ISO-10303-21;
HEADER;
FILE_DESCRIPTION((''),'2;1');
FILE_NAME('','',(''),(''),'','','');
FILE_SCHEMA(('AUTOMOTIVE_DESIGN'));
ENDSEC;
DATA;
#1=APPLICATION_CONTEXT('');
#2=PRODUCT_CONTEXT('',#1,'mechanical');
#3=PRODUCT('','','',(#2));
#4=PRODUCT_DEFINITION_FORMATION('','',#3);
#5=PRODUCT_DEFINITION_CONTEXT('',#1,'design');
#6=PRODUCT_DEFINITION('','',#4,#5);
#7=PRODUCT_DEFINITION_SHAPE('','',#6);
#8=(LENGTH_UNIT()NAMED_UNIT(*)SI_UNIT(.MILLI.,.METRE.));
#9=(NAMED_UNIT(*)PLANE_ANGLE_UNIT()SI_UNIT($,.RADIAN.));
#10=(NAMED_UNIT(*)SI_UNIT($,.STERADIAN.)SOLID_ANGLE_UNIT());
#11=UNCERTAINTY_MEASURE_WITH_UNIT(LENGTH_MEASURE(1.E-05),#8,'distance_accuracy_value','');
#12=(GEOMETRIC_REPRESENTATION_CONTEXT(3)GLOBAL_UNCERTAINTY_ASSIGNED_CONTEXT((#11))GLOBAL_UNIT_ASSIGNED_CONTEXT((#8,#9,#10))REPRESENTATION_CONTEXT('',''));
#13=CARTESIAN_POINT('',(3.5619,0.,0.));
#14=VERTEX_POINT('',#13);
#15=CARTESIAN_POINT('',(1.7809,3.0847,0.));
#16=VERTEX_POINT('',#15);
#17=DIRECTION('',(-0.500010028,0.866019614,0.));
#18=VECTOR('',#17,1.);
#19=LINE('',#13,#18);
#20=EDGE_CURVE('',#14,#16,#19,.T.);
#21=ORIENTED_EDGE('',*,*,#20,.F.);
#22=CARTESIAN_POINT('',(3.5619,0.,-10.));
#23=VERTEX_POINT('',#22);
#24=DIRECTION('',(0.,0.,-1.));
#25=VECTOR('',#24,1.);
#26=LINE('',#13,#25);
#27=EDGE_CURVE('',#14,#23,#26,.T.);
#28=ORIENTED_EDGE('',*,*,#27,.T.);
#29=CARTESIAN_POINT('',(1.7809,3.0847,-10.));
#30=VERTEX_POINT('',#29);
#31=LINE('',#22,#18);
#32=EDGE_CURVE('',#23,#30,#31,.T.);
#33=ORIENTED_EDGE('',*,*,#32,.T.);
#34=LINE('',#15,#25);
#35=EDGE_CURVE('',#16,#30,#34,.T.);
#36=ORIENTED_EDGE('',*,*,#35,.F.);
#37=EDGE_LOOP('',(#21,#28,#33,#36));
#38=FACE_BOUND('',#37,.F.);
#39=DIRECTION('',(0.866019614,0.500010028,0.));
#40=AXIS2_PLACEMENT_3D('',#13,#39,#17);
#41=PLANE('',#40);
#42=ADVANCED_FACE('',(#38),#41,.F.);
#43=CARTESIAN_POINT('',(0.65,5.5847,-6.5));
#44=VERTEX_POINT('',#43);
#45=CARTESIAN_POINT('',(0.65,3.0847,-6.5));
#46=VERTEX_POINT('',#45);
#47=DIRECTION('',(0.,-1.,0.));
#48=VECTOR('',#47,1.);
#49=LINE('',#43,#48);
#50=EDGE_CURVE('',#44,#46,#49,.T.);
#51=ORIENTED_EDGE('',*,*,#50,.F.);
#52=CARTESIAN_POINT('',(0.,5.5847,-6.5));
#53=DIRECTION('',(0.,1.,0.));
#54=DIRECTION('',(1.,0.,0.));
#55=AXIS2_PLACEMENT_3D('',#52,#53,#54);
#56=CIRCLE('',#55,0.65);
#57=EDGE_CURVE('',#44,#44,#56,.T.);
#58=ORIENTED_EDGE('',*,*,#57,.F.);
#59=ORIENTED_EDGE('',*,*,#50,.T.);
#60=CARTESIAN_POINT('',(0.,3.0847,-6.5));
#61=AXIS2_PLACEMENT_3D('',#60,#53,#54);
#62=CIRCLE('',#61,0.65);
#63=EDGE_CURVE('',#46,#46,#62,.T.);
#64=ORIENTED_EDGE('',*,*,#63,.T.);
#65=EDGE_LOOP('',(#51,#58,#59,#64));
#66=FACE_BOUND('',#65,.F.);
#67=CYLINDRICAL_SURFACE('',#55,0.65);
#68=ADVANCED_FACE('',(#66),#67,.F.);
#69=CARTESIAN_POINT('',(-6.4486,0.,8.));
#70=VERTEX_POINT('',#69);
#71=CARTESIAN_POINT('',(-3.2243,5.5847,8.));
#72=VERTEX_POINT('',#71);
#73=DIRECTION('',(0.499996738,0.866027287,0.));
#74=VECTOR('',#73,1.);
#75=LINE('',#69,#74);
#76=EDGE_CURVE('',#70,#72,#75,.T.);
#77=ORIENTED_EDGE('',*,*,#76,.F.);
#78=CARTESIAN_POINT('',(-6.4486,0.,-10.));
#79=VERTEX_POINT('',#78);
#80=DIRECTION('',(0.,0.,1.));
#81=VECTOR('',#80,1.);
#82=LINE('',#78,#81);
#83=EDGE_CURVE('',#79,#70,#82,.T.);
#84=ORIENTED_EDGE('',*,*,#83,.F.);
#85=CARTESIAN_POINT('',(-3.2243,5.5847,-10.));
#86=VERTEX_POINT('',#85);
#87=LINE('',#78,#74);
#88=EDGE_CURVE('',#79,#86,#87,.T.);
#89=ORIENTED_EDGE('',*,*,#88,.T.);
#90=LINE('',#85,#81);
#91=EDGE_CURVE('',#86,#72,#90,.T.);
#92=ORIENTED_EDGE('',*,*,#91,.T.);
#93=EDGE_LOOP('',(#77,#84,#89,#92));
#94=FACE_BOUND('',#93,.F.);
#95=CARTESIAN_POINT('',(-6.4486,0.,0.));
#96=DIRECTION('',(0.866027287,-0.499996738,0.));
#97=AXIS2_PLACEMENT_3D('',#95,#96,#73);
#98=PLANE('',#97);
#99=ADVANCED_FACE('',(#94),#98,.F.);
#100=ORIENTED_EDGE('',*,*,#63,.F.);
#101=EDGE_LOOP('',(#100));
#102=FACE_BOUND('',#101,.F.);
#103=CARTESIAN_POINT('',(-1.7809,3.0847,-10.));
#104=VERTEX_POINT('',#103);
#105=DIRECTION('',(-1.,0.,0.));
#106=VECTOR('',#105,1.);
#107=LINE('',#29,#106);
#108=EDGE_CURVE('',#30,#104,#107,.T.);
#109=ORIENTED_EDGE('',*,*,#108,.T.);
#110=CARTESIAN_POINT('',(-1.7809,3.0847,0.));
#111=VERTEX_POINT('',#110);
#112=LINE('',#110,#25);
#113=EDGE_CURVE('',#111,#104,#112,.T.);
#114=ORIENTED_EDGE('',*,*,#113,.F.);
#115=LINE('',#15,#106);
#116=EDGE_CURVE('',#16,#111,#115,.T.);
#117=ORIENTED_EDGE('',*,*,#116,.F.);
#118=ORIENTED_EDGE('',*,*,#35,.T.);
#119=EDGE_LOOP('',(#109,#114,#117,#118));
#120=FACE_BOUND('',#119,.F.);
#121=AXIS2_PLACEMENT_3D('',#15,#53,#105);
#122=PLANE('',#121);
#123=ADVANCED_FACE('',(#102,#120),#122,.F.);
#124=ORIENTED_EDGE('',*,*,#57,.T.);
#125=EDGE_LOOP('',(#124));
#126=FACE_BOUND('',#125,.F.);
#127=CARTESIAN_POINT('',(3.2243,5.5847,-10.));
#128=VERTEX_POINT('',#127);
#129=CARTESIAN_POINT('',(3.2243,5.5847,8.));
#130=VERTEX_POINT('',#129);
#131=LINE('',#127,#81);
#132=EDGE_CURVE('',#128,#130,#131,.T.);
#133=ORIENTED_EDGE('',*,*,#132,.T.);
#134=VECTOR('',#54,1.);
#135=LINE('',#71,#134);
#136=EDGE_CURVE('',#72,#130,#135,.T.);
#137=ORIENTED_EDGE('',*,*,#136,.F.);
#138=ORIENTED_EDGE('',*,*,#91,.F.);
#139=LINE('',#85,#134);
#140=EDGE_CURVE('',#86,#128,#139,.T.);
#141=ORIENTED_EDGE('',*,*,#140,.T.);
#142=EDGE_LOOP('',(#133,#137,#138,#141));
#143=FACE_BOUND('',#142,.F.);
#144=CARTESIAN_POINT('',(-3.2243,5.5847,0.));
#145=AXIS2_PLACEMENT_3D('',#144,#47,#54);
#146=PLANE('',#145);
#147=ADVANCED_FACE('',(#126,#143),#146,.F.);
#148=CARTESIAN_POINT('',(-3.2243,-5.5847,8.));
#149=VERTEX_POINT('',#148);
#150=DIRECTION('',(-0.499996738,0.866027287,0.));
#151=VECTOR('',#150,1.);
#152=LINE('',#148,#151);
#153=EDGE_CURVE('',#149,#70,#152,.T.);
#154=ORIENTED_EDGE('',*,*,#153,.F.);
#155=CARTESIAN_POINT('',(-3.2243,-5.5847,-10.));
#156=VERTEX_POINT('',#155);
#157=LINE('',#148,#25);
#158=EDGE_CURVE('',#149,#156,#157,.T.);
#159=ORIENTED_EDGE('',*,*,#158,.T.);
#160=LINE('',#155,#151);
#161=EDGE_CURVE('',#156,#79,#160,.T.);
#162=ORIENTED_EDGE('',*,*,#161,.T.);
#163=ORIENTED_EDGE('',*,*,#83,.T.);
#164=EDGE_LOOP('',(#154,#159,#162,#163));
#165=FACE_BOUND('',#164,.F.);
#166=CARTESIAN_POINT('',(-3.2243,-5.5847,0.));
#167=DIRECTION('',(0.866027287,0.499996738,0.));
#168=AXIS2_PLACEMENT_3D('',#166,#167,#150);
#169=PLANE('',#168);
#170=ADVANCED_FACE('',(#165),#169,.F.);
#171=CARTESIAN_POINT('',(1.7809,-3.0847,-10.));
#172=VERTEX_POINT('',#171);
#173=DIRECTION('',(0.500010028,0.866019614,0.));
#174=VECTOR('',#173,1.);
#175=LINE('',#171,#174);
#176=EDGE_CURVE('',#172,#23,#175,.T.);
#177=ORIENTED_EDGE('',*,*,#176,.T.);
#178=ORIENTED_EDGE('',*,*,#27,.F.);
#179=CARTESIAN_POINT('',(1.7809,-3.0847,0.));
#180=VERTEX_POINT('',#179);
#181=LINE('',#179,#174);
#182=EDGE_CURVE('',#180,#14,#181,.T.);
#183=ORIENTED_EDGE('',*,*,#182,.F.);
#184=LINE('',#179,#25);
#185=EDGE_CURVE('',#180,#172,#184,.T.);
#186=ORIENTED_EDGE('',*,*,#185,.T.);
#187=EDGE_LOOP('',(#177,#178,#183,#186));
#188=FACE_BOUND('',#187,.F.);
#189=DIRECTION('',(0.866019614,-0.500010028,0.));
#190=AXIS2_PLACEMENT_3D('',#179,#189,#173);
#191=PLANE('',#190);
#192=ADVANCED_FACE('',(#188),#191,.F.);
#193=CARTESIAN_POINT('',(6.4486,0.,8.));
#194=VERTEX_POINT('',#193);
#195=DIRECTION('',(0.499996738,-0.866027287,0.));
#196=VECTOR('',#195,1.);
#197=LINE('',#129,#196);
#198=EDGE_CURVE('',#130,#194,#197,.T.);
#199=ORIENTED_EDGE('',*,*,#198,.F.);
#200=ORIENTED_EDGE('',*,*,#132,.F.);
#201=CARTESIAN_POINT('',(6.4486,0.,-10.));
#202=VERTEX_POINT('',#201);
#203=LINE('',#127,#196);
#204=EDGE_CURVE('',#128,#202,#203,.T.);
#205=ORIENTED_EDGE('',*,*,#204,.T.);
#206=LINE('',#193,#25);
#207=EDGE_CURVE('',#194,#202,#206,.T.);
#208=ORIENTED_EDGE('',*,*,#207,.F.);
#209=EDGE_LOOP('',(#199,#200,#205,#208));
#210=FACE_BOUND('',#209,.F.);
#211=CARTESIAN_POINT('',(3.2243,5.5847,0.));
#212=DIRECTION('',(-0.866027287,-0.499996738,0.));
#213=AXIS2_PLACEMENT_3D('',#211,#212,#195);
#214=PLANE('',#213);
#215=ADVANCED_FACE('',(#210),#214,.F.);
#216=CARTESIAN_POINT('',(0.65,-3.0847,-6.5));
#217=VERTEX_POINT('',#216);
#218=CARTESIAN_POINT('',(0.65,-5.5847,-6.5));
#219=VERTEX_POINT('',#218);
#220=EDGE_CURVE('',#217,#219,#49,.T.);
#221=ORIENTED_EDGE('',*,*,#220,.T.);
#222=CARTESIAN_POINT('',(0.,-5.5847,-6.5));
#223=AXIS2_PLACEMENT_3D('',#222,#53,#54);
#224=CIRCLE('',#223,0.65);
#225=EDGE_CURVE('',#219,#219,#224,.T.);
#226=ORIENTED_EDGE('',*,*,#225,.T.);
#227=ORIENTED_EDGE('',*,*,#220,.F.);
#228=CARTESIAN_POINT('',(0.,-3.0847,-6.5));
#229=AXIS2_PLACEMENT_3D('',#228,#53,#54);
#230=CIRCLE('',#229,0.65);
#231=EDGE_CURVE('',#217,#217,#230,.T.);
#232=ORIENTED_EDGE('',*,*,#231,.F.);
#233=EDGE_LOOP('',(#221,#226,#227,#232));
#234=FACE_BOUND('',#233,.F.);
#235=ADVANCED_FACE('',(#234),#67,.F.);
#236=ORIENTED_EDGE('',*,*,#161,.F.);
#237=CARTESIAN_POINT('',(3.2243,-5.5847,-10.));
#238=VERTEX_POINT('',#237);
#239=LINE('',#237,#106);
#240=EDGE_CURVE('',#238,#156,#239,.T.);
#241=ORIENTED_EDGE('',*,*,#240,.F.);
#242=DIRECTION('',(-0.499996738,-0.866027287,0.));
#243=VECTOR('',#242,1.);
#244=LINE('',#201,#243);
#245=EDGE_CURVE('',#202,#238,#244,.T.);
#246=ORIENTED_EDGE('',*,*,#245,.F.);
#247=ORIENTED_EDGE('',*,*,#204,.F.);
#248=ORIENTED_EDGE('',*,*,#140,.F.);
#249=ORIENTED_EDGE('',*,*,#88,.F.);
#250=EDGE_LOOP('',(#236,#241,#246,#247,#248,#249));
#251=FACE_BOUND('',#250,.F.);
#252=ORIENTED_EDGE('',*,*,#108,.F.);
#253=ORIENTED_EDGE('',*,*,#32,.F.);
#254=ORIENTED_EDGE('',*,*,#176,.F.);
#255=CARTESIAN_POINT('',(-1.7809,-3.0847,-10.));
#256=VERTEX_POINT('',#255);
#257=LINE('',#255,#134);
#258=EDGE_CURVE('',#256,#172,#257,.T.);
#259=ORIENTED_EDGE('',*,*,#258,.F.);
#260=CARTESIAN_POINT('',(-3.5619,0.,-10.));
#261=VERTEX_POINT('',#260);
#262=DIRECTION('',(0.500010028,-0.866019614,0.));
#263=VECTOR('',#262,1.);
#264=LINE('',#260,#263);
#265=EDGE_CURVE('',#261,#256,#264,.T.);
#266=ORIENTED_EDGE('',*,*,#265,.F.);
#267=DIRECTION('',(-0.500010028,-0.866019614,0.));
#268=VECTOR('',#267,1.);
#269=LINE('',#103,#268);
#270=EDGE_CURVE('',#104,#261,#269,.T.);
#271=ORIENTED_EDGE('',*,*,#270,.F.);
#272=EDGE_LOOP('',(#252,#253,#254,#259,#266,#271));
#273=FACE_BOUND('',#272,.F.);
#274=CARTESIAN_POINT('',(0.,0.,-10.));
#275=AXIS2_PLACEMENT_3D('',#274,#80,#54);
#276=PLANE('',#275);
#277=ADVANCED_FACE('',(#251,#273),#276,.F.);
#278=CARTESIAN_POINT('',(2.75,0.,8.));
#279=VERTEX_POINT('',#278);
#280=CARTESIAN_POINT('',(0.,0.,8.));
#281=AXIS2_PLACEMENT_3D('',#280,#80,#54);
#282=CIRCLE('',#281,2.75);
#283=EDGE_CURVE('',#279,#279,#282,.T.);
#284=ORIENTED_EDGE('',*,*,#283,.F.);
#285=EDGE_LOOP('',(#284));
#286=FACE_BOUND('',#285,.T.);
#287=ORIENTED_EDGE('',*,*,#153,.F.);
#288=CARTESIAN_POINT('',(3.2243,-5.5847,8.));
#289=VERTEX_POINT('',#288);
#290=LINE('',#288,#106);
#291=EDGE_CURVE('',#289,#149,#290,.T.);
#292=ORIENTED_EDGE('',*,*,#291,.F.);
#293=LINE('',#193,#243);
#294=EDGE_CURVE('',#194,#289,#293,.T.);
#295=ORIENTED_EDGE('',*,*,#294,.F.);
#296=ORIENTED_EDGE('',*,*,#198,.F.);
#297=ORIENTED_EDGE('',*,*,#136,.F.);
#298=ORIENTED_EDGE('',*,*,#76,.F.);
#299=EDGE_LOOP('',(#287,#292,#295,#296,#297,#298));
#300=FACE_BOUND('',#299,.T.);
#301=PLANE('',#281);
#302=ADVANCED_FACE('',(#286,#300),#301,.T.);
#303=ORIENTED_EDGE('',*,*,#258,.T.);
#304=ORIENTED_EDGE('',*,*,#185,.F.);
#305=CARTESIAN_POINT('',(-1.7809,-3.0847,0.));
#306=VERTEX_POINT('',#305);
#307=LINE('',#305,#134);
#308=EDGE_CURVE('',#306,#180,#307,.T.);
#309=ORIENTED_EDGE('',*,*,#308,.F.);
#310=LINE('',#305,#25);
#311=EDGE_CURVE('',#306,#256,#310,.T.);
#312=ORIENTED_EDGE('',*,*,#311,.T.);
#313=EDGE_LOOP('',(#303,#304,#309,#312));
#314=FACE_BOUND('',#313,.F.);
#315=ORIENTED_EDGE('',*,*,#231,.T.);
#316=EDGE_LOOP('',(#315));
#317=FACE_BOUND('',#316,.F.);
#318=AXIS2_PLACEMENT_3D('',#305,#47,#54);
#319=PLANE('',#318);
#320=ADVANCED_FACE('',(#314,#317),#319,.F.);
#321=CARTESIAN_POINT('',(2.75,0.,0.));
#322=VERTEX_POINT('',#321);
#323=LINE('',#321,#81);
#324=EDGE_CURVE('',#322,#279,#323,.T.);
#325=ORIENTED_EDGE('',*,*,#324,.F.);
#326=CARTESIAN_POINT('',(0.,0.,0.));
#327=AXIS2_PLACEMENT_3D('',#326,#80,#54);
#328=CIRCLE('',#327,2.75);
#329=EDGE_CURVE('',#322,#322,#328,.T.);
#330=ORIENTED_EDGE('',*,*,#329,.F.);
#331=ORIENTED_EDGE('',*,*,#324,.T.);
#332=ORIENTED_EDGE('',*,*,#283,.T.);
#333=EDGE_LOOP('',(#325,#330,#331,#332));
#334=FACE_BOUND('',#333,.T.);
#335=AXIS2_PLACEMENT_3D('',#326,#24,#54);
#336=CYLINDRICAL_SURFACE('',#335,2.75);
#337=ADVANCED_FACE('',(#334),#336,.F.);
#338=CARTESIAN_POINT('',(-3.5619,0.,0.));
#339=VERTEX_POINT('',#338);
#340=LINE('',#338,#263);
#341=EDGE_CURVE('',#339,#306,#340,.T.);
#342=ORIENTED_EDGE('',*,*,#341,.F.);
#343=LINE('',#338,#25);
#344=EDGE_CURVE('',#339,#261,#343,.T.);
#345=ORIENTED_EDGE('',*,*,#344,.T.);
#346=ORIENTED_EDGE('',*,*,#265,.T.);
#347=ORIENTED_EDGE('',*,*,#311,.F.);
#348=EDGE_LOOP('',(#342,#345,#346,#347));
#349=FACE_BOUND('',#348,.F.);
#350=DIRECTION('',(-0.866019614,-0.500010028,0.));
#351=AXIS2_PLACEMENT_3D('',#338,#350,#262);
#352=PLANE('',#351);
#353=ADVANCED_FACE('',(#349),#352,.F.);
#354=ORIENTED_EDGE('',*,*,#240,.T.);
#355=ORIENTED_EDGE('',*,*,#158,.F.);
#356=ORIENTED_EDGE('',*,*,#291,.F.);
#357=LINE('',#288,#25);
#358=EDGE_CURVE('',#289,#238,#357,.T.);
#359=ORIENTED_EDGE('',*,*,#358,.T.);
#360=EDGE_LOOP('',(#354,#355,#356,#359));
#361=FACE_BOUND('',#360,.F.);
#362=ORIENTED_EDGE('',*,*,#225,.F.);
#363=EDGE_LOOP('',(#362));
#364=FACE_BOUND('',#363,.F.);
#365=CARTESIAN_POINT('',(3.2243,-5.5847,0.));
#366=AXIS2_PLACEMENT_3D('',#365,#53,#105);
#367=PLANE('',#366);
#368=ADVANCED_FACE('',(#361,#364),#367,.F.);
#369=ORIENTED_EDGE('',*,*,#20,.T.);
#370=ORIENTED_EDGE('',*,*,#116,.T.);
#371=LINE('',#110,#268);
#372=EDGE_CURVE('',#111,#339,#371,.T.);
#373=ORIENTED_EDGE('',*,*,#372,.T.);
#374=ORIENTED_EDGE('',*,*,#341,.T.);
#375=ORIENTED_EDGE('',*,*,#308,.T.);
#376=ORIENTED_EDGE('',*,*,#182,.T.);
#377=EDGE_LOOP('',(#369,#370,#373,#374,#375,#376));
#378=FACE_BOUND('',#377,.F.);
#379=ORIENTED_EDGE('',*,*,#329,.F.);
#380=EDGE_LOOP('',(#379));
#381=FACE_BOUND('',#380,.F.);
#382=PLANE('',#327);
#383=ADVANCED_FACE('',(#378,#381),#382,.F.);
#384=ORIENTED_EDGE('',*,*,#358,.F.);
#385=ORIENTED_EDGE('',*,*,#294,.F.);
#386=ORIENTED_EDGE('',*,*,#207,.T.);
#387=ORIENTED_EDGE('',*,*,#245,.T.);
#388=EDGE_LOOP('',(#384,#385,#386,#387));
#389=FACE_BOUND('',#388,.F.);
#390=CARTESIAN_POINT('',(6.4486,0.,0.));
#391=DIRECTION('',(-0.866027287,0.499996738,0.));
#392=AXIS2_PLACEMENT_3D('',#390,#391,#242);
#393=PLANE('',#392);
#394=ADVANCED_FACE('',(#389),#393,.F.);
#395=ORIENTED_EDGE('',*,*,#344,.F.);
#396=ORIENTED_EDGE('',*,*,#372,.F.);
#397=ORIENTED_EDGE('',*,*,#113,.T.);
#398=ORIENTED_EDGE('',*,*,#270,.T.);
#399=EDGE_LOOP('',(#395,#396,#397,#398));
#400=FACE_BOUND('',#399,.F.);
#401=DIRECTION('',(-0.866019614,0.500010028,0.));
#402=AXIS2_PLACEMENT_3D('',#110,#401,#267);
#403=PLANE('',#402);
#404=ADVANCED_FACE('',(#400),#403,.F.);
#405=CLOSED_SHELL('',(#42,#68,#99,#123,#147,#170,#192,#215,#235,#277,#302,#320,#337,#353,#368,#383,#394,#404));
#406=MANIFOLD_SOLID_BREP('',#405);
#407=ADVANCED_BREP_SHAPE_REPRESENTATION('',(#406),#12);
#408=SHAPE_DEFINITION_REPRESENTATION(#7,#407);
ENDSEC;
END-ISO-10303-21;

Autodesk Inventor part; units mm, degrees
ref_plane "YZ Plane" through (0, 0, 0) normal (1, 0, 0) x (0, 1, 0)
ref_plane "XZ Plane" through (0, 0, 0) normal (0, 1, 0) x (-1, 0, 0)
ref_plane "XY Plane" through (0, 0, 0) normal (0, 0, 1) x (1, 0, 0)
sketch "Sketch1" plane through (0, 0, 0) normal (0, 0, 1) x (1, 0, 0)
  circle A0 centre (0, 0) radius 2.75
  line L0 (0, 0) -> (3.1, 0) construction
  line L1 (0, 0) -> (1.55, 2.6847) construction
  line L2 (0, 0) -> (-1.55, 2.6847) construction
  line L3 (0, 0) -> (-3.1, 0) construction
  line L4 (0, 0) -> (-1.55, -2.6847) construction
  line L5 (0, 0) -> (1.55, -2.6847) construction
  line L6 (-1.55, 2.6847) -> (1.55, 2.6847) construction
  line L7 (1.55, 2.6847) -> (3.1, 0) construction
  line L8 (3.1, 0) -> (1.55, -2.6847) construction
  line L9 (1.55, -2.6847) -> (-1.55, -2.6847) construction
  line L10 (-1.55, -2.6847) -> (-3.1, 0) construction
  line L11 (-3.1, 0) -> (-1.55, 2.6847) construction
  line L12 (3.5619, 0) -> (1.7809, 3.0847)
  line L13 (1.7809, 3.0847) -> (-1.7809, 3.0847)
  line L14 (-1.7809, 3.0847) -> (-3.5619, 0)
  line L15 (-3.5619, 0) -> (-1.7809, -3.0847)
  line L16 (-1.7809, -3.0847) -> (1.7809, -3.0847)
  line L17 (1.7809, -3.0847) -> (3.5619, 0)
  line L18 (3.2243, 5.5847) -> (6.4486, 0)
  line L19 (6.4486, 0) -> (3.2243, -5.5847)
  line L20 (3.2243, -5.5847) -> (-3.2243, -5.5847)
  line L21 (-3.2243, -5.5847) -> (-6.4486, 0)
  line L22 (-6.4486, 0) -> (-3.2243, 5.5847)
  line L23 (-3.2243, 5.5847) -> (3.2243, 5.5847)
  dimension "d0" = 5.5
  dimension "d2" = 3.1
  dimension "d5" = 360
  dimension "d7" = 0.4
  dimension "d8" = 2.5
extrude "Extrusion1" add sketch "Sketch1" along normal blind 8 contours L17 L16 L15 L14 L13 L12 | L18 L19 L20 L21 L22 L23
extrude "Extrusion2" add sketch "Sketch1" against normal blind 10 contours L18 L19 L20 L21 L22 L23
sketch "Sketch2" plane through (-3.2243, 5.5847, 8) normal (0, 1, 0) x (1, 0, 0)
  line L0 (0, 0) -> (0, 18) projected
  line L1 (0, 8) -> (6.4486, 8) projected
  line L2 (3.2243, 8) -> (3.2243, 18) construction
  line L3 (6.4486, 18) -> (0, 18) projected
  line L4 (6.4486, 18) -> (6.4486, 0) projected
  circle A0 centre (3.2243, 14.5) radius 0.65
  dimension "d13" = 1.3
  dimension "d14" = 6.5
extrude "Extrusion3" cut sketch "Sketch2" against normal blind 15 contours A0
properties part number "Acople_Motor_"
